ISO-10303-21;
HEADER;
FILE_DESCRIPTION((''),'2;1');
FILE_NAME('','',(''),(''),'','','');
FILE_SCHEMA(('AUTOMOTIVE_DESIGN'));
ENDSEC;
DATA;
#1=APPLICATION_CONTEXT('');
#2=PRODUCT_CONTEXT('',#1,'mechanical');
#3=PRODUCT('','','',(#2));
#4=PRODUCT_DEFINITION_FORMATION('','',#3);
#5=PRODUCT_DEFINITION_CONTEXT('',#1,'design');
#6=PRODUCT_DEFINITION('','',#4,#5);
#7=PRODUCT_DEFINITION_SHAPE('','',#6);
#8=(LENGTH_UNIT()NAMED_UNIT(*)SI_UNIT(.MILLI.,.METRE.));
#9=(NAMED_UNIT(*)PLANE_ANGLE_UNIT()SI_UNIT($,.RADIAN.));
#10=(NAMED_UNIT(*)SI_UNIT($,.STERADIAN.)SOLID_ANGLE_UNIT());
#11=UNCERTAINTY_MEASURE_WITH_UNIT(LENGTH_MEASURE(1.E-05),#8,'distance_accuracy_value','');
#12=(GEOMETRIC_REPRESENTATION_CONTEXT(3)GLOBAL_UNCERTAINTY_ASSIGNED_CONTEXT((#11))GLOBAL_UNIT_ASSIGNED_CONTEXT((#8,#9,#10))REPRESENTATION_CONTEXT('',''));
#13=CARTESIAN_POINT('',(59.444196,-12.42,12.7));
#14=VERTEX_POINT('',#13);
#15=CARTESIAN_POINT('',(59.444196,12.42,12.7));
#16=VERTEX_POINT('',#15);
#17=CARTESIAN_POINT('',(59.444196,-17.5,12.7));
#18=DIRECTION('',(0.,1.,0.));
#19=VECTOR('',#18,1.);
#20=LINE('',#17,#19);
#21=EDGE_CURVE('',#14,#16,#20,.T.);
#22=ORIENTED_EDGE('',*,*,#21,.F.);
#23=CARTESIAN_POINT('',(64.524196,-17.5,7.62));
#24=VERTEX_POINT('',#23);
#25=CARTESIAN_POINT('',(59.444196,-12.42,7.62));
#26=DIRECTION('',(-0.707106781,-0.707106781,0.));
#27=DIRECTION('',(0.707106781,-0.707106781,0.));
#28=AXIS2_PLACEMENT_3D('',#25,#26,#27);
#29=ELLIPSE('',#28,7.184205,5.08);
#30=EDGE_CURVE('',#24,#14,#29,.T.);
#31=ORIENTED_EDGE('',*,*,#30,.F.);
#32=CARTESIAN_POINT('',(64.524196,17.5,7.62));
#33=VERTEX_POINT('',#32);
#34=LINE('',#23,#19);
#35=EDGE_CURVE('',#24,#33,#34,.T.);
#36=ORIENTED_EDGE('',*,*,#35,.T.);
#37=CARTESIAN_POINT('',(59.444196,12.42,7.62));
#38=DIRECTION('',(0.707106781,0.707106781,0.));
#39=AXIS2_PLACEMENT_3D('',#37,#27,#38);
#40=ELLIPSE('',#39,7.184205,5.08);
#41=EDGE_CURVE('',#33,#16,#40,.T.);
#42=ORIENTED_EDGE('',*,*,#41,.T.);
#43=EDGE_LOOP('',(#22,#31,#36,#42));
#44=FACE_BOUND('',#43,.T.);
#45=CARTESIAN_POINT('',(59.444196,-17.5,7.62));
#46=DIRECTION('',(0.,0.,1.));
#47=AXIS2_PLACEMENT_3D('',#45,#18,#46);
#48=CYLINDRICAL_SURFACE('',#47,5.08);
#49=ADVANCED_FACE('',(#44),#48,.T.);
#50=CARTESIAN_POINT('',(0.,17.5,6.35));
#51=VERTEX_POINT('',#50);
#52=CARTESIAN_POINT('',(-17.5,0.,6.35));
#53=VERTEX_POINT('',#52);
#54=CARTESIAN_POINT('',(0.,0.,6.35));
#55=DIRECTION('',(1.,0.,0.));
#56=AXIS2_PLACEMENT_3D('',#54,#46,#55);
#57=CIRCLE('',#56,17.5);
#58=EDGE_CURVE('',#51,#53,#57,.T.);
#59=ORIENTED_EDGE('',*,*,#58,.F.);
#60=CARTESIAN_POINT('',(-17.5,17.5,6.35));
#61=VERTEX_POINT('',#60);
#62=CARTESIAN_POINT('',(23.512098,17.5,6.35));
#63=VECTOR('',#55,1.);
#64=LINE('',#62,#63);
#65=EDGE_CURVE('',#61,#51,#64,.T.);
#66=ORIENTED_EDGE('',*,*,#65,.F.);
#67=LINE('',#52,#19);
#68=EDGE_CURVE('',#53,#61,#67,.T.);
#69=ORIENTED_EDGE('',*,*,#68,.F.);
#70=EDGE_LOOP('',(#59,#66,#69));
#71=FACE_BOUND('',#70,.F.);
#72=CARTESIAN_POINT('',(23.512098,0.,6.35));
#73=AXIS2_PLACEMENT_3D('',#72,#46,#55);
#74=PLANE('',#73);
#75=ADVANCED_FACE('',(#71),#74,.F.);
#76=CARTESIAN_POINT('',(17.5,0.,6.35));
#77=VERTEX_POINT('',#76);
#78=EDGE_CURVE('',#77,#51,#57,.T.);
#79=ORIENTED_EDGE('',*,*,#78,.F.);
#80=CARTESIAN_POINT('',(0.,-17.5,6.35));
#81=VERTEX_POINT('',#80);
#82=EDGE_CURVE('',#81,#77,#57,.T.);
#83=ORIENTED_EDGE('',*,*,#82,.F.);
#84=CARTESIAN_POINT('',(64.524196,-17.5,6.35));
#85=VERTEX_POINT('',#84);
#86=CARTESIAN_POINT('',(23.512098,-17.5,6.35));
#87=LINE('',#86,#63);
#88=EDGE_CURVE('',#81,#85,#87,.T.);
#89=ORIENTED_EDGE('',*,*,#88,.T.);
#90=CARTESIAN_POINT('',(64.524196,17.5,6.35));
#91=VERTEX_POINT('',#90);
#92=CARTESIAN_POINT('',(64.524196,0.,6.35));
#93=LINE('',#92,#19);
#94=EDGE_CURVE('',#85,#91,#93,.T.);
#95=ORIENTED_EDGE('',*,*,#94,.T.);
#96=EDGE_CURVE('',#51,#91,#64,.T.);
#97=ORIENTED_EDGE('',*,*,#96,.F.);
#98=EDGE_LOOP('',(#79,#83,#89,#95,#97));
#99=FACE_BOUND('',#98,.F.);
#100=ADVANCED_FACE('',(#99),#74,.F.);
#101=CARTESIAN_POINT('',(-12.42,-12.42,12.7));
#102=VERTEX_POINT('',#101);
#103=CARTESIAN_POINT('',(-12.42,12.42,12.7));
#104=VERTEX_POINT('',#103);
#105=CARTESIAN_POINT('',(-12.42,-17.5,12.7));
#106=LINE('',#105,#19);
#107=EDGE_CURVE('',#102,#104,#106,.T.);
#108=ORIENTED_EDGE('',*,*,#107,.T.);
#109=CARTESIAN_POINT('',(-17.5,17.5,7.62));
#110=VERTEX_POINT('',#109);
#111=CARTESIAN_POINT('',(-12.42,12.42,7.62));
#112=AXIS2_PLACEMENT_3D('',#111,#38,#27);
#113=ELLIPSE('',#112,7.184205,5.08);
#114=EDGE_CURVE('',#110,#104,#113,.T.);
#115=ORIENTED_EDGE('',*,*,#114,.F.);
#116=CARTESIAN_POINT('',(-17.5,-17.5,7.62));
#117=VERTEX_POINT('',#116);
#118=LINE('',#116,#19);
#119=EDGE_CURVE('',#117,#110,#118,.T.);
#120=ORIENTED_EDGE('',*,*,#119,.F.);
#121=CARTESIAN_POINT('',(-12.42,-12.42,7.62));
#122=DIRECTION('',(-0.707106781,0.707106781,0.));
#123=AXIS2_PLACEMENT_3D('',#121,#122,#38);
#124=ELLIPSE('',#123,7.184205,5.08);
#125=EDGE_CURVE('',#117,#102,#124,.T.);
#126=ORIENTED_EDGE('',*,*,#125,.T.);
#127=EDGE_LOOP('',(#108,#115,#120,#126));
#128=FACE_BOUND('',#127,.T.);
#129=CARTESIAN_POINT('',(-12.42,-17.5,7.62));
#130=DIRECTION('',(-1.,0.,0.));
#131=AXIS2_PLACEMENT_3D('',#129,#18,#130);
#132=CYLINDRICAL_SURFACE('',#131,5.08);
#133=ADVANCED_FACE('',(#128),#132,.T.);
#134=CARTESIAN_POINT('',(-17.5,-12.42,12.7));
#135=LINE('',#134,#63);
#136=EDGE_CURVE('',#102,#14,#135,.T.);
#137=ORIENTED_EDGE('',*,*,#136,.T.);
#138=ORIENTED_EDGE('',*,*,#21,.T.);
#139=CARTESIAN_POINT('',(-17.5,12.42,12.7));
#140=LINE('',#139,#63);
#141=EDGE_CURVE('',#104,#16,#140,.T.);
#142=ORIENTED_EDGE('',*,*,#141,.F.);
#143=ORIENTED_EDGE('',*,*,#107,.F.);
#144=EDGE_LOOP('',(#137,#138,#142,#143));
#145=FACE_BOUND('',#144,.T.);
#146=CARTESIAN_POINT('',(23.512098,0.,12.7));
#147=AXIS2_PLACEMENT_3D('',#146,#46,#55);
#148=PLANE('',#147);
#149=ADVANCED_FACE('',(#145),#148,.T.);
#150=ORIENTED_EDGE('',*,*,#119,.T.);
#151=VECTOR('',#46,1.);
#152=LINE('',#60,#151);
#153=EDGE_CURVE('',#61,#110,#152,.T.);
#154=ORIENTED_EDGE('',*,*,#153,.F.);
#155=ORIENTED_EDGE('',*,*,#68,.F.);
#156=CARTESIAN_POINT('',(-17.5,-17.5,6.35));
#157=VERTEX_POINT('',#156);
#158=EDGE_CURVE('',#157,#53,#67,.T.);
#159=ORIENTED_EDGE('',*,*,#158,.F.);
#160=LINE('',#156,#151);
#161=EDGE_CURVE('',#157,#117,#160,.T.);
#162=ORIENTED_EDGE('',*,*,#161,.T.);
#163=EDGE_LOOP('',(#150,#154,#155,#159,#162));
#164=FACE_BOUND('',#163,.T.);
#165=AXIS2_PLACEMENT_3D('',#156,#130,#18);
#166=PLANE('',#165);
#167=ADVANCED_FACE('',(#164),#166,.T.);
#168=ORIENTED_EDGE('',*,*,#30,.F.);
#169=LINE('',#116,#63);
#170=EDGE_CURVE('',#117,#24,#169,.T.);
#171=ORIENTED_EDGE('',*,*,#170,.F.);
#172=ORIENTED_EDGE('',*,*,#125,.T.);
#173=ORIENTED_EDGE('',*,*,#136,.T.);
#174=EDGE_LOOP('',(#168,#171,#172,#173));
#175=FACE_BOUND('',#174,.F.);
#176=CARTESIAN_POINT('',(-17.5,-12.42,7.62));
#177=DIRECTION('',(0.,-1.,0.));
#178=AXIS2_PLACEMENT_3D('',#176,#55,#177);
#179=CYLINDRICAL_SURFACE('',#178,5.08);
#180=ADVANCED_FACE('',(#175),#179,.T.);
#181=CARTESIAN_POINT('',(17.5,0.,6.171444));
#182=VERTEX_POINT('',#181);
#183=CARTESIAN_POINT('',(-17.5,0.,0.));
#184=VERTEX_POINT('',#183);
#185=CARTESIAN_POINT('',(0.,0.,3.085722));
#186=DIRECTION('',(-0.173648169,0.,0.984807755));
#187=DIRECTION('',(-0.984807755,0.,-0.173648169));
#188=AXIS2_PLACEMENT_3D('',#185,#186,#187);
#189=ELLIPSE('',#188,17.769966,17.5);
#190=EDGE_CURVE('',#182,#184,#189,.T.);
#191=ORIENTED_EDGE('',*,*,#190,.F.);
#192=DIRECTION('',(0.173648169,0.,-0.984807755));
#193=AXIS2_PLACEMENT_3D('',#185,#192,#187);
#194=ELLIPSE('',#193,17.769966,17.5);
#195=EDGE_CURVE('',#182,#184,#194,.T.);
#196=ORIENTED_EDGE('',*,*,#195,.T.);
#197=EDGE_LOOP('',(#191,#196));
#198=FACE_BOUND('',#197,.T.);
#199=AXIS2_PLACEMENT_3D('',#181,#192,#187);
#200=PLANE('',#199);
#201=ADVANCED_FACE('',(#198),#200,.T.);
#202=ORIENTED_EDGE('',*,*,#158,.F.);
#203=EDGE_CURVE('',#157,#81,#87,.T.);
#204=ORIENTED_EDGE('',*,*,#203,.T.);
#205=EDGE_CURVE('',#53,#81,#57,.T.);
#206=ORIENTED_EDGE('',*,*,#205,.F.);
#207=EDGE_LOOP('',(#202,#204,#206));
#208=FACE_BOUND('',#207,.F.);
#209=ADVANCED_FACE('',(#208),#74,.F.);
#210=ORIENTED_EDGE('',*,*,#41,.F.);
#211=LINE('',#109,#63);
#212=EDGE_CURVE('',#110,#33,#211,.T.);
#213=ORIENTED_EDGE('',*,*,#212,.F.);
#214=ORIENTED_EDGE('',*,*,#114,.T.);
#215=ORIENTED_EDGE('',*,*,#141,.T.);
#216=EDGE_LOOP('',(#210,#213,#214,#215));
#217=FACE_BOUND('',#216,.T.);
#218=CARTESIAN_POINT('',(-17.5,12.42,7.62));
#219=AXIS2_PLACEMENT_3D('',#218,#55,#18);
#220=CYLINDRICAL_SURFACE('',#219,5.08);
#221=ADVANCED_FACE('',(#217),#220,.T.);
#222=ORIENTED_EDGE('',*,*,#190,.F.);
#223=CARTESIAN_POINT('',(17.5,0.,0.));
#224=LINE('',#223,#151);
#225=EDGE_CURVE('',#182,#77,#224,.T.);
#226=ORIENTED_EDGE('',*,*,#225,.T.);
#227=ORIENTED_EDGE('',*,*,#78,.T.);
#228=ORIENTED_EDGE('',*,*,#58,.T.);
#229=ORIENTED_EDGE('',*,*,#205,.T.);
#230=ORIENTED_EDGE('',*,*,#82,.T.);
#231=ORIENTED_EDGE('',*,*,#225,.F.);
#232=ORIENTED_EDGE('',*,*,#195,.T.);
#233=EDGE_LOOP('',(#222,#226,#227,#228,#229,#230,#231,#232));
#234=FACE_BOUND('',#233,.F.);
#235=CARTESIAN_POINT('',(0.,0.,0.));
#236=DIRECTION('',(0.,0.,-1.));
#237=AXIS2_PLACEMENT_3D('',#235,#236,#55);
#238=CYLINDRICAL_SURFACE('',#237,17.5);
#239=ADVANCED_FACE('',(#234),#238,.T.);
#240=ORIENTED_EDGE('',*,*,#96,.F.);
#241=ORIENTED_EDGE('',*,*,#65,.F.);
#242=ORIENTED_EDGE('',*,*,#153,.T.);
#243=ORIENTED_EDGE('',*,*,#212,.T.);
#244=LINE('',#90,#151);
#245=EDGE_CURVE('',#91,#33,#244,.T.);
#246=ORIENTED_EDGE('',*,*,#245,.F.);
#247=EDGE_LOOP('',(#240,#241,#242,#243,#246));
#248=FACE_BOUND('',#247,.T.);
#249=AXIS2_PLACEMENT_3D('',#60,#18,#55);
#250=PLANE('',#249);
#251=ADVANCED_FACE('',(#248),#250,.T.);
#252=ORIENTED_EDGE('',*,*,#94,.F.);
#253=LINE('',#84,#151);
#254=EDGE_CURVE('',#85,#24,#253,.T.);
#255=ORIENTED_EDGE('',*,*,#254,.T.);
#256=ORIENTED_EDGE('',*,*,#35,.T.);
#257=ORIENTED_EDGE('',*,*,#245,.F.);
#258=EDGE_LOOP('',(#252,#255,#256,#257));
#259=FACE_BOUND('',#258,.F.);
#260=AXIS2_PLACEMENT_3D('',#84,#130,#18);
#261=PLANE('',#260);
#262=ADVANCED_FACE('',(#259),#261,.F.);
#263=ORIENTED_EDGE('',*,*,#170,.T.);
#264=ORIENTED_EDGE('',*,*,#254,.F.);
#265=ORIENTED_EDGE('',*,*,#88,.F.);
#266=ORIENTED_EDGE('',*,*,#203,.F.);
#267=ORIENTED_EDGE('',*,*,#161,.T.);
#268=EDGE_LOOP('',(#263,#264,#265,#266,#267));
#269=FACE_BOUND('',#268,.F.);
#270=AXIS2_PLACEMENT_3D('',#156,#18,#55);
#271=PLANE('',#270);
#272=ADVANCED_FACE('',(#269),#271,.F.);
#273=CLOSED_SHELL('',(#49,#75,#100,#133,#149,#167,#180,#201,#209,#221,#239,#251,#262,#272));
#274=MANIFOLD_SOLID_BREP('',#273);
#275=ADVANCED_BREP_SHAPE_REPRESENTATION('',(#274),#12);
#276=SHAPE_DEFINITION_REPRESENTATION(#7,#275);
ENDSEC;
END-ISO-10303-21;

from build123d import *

# Parameters (mm, degrees)
F0_R          = 17.5
F1_DEPTH      = 6.35
F3_DEPTH      = 25.4
F3_DEPTH_BACK = 25.4
F4_W          = 82.024196
F4_H          = 35
F5_DEPTH      = 6.35
F6_R          = 5.08


with BuildPart() as f1:
    # F0 (on Top) → F1 (new body)
    with BuildSketch(Plane.XY):
        Circle(F0_R)
    extrude(amount=F1_DEPTH)

    # F2 (on Front) → F3 (cut, two sides)
    with BuildSketch(Plane.XZ) as f3_sk:
        Polygon((-17.5, 0), (0, 0), (17.5, 0), (17.5, 6.171444), align=None)
    extrude(amount=F3_DEPTH, mode=Mode.SUBTRACT)
    extrude(f3_sk.sketch, amount=-F3_DEPTH_BACK, mode=Mode.SUBTRACT)

    # F4 (on face) → F5 (join)
    with BuildSketch(Plane.XY.offset(6.35)):
        with Locations((23.512098, 0)):
            Rectangle(F4_W, F4_H)
    extrude(amount=F5_DEPTH)

    # F6
    f6_edges = [f1.edges().sort_by_distance(p)[0] for p in [
        (23.512098, 17.5, 12.7),
        (-17.5, 0, 12.7),
        (23.512098, -17.5, 12.7),
        (64.524196, 0, 12.7),
    ]]
    fillet(f6_edges, radius=F6_R)


solid = f1.part
